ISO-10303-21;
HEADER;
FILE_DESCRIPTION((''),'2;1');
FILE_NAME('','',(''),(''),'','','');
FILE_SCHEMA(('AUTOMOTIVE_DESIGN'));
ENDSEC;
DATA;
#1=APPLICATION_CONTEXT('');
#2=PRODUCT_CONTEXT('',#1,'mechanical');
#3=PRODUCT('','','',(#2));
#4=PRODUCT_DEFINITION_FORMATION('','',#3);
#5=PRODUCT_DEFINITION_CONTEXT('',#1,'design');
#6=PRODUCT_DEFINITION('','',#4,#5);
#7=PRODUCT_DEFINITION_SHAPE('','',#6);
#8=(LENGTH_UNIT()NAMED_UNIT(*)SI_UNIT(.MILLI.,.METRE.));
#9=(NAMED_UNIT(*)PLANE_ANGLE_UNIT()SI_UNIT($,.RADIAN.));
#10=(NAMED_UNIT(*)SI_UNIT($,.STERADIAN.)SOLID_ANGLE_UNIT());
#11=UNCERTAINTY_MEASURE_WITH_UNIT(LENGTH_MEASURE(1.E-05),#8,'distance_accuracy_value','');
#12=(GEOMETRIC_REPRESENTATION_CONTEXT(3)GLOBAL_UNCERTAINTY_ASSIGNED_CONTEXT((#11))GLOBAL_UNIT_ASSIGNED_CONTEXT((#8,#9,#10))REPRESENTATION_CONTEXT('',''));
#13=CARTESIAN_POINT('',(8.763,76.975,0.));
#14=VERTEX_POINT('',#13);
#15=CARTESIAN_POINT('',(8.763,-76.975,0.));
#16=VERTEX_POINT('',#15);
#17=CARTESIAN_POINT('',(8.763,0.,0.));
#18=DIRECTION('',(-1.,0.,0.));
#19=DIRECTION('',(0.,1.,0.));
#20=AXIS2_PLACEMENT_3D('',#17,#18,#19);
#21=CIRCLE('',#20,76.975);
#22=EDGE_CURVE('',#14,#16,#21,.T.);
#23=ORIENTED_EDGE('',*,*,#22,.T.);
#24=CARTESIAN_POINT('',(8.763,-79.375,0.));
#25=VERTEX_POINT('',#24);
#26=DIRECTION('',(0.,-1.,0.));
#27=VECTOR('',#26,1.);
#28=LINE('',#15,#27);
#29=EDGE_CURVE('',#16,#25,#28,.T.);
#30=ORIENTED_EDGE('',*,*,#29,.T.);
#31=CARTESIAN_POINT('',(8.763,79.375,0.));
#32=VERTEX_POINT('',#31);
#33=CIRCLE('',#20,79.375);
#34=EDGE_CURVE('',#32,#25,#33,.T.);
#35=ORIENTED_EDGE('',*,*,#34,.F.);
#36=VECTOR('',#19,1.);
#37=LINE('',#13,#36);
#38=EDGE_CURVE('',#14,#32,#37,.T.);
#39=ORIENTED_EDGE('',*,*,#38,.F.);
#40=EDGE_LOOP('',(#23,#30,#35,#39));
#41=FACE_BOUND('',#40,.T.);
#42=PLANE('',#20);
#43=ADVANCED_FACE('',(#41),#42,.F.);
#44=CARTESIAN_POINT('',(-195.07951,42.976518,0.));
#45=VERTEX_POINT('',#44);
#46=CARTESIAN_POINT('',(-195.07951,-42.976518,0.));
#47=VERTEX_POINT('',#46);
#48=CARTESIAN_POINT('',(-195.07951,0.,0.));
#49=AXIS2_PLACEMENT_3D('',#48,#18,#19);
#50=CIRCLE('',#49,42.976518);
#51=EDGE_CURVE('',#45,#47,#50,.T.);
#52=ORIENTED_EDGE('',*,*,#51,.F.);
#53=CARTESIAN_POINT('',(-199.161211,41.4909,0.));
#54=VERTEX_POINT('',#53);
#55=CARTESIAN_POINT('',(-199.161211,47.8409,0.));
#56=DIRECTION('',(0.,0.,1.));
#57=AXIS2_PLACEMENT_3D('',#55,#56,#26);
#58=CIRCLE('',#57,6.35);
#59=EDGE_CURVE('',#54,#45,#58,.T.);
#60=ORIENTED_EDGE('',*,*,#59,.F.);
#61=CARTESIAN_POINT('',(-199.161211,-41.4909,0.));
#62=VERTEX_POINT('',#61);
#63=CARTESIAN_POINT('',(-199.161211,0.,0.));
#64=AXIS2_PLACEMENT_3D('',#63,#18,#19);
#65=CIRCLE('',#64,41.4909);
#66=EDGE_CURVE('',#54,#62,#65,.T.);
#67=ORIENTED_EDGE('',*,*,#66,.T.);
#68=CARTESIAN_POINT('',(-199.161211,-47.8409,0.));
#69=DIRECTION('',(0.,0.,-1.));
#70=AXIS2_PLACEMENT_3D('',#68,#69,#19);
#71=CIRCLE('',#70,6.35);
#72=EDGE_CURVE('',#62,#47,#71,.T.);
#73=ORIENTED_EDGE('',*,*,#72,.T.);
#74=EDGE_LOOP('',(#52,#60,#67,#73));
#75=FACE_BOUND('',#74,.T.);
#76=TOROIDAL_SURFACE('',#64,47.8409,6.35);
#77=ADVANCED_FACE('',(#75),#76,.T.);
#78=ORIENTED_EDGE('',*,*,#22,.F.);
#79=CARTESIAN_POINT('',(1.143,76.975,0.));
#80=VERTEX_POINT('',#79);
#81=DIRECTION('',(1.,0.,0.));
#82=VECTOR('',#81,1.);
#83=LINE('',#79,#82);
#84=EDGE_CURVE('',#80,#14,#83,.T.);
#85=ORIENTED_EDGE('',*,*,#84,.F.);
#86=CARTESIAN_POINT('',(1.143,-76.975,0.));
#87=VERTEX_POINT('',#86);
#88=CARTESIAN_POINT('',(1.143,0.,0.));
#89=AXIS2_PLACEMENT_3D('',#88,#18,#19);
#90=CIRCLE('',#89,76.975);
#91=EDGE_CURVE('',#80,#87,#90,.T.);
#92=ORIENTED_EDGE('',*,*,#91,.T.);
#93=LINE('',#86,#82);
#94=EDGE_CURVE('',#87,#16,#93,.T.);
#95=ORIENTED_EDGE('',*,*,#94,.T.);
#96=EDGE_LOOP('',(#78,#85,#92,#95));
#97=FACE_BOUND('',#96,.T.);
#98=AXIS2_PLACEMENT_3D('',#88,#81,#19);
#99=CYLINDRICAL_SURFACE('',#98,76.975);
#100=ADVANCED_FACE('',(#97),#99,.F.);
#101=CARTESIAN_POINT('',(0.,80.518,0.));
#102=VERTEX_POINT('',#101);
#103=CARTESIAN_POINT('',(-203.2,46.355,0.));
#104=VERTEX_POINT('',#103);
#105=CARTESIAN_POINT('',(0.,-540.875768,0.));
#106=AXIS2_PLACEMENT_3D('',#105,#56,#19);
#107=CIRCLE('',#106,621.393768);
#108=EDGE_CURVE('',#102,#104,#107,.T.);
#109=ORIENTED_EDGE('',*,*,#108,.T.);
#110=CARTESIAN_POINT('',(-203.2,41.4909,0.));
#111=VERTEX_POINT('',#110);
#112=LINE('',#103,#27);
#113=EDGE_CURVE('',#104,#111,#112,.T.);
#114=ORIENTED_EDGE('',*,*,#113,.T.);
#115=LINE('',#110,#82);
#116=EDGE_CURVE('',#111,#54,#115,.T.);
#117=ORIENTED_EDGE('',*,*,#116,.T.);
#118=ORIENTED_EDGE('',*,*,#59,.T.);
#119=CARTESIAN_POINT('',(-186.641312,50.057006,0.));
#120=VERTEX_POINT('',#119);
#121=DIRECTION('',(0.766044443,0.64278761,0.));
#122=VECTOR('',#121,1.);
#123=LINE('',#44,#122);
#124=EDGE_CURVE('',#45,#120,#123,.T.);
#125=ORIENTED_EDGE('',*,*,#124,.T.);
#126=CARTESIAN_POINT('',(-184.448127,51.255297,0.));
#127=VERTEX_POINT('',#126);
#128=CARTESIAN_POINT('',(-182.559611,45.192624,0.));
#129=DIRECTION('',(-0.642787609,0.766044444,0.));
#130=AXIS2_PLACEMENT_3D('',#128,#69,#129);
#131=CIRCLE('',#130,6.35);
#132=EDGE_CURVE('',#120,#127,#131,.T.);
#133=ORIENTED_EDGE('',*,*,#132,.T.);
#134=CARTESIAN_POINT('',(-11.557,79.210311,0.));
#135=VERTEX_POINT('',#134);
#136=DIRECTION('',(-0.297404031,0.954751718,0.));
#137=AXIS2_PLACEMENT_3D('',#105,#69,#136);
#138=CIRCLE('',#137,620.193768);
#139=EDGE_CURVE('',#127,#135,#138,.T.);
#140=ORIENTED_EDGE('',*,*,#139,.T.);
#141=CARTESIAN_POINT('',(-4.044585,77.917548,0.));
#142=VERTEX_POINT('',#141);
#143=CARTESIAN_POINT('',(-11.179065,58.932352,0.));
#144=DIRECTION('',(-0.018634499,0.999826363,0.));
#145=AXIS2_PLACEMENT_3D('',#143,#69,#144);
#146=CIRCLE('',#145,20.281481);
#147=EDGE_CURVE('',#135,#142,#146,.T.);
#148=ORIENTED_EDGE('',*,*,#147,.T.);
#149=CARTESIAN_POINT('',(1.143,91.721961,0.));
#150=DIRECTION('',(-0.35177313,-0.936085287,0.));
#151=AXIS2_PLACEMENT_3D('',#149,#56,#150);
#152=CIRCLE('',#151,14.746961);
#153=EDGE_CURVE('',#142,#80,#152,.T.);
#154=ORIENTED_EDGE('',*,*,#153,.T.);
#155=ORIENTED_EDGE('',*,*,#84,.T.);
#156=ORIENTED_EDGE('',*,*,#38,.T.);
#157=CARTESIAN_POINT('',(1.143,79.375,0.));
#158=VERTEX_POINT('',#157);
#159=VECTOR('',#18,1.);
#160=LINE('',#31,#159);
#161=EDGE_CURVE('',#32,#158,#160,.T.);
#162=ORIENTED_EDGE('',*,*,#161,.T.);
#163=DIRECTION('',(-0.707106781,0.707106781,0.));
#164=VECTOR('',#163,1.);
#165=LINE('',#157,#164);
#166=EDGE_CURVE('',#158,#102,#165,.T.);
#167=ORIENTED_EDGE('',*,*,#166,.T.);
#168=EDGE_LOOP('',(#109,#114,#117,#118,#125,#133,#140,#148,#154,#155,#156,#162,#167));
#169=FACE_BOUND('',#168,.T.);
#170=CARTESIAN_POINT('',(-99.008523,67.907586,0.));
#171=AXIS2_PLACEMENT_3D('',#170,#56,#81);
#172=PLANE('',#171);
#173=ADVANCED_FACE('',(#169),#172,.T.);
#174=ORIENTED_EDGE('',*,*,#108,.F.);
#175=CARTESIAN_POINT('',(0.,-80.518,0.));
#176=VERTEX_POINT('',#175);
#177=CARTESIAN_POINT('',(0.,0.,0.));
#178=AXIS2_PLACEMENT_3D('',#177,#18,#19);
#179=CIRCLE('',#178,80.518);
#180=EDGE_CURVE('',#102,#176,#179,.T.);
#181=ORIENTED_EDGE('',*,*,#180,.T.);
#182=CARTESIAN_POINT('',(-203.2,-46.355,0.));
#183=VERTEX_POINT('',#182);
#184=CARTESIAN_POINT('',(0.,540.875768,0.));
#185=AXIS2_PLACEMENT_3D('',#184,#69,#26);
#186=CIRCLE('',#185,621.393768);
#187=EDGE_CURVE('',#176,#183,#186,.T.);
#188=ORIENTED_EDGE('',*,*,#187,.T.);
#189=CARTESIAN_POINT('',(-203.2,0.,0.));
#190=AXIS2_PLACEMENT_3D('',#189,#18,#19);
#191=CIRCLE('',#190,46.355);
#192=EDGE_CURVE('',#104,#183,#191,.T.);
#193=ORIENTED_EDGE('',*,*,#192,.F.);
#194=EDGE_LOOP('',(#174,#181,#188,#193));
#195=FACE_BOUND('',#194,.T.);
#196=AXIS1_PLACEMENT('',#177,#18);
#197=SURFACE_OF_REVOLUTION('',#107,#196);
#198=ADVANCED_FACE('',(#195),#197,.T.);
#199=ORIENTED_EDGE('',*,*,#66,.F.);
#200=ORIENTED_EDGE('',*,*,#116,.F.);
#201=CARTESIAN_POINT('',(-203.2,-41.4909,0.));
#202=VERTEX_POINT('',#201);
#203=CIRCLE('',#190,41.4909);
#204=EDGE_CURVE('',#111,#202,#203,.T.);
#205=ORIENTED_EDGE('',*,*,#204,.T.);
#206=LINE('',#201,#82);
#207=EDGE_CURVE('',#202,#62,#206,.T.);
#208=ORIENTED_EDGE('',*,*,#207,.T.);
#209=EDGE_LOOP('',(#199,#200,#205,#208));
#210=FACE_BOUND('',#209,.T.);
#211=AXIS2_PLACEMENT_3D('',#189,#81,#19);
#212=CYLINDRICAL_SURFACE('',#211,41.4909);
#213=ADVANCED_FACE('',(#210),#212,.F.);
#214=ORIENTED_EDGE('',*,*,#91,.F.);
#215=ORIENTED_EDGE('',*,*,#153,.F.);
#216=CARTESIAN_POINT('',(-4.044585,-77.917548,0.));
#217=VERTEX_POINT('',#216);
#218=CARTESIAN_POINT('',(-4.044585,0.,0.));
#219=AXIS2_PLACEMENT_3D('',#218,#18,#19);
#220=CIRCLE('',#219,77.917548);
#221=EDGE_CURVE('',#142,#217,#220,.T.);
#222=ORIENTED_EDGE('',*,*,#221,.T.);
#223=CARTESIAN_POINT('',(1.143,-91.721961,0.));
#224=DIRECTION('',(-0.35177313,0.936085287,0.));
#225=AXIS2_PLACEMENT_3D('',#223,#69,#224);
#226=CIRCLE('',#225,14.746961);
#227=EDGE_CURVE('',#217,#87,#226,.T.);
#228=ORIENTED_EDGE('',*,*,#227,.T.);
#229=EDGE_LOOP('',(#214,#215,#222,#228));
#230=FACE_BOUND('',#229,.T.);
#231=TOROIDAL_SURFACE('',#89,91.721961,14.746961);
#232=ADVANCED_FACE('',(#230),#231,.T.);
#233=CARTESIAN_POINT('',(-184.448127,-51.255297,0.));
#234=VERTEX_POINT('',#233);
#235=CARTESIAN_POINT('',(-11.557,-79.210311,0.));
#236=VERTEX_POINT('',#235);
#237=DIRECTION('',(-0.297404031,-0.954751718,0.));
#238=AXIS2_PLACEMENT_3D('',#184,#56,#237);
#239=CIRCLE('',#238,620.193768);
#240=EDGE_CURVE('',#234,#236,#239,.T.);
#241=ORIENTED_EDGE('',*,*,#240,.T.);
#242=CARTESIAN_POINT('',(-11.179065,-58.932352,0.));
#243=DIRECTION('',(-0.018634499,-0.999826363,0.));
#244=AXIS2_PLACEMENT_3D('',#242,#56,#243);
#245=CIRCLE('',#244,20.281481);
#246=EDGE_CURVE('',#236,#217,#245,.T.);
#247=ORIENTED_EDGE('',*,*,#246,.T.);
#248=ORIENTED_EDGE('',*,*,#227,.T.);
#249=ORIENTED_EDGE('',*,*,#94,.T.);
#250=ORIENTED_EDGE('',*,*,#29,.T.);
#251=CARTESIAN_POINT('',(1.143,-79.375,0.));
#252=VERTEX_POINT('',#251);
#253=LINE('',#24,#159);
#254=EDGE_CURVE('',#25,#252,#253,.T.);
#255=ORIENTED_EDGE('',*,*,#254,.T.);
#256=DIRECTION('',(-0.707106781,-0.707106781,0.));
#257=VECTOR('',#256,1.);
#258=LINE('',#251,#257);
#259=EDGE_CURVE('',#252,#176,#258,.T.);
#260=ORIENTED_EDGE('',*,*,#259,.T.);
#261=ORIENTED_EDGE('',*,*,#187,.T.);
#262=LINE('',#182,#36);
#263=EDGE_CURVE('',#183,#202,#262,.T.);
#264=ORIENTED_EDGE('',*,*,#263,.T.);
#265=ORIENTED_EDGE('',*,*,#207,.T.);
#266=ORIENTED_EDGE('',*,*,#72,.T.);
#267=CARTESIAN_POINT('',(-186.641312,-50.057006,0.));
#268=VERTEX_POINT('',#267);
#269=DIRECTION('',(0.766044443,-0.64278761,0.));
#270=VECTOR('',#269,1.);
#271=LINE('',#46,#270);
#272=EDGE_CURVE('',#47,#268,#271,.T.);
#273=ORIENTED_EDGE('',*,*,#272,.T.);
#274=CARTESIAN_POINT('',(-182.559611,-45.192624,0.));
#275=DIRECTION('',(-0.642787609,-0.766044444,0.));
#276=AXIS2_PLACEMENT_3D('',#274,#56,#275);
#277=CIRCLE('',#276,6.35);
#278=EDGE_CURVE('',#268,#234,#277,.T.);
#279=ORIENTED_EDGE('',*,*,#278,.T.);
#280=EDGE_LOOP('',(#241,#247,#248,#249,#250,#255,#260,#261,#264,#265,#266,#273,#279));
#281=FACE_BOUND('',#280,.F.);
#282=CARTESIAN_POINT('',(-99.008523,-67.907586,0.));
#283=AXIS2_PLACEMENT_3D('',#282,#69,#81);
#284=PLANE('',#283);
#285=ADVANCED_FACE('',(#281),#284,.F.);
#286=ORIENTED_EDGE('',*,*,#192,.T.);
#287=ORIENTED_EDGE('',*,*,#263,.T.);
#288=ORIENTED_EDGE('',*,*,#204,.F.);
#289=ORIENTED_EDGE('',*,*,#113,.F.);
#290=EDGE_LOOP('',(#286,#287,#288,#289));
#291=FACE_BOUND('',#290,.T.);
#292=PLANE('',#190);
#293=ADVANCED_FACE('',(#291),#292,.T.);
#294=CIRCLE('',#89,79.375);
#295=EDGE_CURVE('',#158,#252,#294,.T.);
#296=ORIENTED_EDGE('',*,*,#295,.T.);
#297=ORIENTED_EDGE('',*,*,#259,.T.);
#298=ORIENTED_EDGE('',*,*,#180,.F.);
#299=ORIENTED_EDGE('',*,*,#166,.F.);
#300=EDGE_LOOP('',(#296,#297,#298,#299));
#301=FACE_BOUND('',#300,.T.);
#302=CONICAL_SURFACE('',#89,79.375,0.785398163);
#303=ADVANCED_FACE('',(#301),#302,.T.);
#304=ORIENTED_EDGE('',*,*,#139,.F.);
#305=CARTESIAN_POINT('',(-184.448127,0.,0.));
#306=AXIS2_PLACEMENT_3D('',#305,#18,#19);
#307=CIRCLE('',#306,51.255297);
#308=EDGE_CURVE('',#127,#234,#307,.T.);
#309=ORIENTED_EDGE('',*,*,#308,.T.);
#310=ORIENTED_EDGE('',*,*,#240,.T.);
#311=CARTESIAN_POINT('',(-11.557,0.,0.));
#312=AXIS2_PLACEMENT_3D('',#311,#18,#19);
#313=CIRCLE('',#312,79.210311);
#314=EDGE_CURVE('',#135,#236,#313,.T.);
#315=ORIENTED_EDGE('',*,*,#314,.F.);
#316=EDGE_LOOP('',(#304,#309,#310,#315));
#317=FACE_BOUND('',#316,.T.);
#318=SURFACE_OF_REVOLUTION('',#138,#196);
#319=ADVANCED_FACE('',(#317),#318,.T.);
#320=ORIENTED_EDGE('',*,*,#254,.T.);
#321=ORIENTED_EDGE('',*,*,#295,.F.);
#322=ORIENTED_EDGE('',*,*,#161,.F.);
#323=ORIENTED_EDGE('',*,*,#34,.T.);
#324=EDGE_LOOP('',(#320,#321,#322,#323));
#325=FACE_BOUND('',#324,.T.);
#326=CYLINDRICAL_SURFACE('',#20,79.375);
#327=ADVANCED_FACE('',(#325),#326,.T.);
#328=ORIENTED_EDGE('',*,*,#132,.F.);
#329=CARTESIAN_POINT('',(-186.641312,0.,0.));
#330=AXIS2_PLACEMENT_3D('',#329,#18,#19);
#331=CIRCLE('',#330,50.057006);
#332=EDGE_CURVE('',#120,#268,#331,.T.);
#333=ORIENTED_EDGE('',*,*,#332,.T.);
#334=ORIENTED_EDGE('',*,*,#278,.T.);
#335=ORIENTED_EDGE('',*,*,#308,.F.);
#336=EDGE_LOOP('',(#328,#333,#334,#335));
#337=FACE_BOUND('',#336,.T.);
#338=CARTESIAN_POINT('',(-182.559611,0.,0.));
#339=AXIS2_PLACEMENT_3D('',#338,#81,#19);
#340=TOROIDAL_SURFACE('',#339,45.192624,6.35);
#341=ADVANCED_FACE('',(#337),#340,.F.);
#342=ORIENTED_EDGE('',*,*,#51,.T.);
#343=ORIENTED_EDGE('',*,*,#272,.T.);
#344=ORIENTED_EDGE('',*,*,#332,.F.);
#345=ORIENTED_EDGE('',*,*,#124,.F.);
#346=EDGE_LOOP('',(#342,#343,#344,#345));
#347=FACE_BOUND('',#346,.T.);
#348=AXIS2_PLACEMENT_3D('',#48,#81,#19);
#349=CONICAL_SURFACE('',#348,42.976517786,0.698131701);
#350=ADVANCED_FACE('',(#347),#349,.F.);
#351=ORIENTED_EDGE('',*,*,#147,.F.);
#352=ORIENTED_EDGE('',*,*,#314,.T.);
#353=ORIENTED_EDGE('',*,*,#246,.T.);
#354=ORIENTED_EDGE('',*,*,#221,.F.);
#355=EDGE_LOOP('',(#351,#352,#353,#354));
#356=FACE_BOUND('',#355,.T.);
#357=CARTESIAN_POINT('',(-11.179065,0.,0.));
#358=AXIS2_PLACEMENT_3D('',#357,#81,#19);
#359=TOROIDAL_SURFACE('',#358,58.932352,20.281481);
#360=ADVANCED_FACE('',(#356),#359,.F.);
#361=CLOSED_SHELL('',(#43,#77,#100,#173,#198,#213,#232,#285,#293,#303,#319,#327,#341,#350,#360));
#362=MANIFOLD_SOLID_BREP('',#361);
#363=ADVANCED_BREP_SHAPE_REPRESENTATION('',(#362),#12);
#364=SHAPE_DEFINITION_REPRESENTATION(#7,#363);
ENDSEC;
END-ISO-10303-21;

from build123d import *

# Parameters (mm, degrees)
REVOLVE1_ANGLE = 180


with BuildPart() as part:
    # Sketch1 → Revolve1 (revolve)
    with BuildSketch(Plane.XY):
        with BuildLine():
            Line((-203.2, 46.355), (-203.2, 41.4909))
            Line((-203.2, 41.4909), (-199.161210988, 41.4909))
            ThreePointArc((-199.161210988, 41.4909), (-196.989383077, 41.873851858), (-195.079509666, 42.976517786))
            Line((-195.079509666, 42.976517786), (-186.641312326, 50.057006062))
            ThreePointArc((-186.641312326, 50.057006062), (-185.604253506, 50.765114497), (-184.448126603, 51.255297255))
            ThreePointArc((-184.448126603, 51.255297255), (-98.994308497, 71.366370982), (-11.557, 79.210311199))
            ThreePointArc((-11.557, 79.210311199), (-7.739510449, 78.92004648), (-4.044584679, 77.917547785))
            ThreePointArc((-4.044584679, 77.917547785), (-1.493258292, 77.212550225), (1.143, 76.975))
            Line((1.143, 76.975), (8.763, 76.975))
            Line((8.763, 76.975), (8.763, 79.375))
            Line((8.763, 79.375), (1.143, 79.375))
            Line((1.143, 79.375), (0, 80.518))
            ThreePointArc((0, 80.518), (-103.025907626, 71.917734953), (-203.2, 46.355))
        make_face()
    revolve(axis=Axis((0, 0, 0), (-1, 0, 0)), revolution_arc=REVOLVE1_ANGLE)


solid = part.part
